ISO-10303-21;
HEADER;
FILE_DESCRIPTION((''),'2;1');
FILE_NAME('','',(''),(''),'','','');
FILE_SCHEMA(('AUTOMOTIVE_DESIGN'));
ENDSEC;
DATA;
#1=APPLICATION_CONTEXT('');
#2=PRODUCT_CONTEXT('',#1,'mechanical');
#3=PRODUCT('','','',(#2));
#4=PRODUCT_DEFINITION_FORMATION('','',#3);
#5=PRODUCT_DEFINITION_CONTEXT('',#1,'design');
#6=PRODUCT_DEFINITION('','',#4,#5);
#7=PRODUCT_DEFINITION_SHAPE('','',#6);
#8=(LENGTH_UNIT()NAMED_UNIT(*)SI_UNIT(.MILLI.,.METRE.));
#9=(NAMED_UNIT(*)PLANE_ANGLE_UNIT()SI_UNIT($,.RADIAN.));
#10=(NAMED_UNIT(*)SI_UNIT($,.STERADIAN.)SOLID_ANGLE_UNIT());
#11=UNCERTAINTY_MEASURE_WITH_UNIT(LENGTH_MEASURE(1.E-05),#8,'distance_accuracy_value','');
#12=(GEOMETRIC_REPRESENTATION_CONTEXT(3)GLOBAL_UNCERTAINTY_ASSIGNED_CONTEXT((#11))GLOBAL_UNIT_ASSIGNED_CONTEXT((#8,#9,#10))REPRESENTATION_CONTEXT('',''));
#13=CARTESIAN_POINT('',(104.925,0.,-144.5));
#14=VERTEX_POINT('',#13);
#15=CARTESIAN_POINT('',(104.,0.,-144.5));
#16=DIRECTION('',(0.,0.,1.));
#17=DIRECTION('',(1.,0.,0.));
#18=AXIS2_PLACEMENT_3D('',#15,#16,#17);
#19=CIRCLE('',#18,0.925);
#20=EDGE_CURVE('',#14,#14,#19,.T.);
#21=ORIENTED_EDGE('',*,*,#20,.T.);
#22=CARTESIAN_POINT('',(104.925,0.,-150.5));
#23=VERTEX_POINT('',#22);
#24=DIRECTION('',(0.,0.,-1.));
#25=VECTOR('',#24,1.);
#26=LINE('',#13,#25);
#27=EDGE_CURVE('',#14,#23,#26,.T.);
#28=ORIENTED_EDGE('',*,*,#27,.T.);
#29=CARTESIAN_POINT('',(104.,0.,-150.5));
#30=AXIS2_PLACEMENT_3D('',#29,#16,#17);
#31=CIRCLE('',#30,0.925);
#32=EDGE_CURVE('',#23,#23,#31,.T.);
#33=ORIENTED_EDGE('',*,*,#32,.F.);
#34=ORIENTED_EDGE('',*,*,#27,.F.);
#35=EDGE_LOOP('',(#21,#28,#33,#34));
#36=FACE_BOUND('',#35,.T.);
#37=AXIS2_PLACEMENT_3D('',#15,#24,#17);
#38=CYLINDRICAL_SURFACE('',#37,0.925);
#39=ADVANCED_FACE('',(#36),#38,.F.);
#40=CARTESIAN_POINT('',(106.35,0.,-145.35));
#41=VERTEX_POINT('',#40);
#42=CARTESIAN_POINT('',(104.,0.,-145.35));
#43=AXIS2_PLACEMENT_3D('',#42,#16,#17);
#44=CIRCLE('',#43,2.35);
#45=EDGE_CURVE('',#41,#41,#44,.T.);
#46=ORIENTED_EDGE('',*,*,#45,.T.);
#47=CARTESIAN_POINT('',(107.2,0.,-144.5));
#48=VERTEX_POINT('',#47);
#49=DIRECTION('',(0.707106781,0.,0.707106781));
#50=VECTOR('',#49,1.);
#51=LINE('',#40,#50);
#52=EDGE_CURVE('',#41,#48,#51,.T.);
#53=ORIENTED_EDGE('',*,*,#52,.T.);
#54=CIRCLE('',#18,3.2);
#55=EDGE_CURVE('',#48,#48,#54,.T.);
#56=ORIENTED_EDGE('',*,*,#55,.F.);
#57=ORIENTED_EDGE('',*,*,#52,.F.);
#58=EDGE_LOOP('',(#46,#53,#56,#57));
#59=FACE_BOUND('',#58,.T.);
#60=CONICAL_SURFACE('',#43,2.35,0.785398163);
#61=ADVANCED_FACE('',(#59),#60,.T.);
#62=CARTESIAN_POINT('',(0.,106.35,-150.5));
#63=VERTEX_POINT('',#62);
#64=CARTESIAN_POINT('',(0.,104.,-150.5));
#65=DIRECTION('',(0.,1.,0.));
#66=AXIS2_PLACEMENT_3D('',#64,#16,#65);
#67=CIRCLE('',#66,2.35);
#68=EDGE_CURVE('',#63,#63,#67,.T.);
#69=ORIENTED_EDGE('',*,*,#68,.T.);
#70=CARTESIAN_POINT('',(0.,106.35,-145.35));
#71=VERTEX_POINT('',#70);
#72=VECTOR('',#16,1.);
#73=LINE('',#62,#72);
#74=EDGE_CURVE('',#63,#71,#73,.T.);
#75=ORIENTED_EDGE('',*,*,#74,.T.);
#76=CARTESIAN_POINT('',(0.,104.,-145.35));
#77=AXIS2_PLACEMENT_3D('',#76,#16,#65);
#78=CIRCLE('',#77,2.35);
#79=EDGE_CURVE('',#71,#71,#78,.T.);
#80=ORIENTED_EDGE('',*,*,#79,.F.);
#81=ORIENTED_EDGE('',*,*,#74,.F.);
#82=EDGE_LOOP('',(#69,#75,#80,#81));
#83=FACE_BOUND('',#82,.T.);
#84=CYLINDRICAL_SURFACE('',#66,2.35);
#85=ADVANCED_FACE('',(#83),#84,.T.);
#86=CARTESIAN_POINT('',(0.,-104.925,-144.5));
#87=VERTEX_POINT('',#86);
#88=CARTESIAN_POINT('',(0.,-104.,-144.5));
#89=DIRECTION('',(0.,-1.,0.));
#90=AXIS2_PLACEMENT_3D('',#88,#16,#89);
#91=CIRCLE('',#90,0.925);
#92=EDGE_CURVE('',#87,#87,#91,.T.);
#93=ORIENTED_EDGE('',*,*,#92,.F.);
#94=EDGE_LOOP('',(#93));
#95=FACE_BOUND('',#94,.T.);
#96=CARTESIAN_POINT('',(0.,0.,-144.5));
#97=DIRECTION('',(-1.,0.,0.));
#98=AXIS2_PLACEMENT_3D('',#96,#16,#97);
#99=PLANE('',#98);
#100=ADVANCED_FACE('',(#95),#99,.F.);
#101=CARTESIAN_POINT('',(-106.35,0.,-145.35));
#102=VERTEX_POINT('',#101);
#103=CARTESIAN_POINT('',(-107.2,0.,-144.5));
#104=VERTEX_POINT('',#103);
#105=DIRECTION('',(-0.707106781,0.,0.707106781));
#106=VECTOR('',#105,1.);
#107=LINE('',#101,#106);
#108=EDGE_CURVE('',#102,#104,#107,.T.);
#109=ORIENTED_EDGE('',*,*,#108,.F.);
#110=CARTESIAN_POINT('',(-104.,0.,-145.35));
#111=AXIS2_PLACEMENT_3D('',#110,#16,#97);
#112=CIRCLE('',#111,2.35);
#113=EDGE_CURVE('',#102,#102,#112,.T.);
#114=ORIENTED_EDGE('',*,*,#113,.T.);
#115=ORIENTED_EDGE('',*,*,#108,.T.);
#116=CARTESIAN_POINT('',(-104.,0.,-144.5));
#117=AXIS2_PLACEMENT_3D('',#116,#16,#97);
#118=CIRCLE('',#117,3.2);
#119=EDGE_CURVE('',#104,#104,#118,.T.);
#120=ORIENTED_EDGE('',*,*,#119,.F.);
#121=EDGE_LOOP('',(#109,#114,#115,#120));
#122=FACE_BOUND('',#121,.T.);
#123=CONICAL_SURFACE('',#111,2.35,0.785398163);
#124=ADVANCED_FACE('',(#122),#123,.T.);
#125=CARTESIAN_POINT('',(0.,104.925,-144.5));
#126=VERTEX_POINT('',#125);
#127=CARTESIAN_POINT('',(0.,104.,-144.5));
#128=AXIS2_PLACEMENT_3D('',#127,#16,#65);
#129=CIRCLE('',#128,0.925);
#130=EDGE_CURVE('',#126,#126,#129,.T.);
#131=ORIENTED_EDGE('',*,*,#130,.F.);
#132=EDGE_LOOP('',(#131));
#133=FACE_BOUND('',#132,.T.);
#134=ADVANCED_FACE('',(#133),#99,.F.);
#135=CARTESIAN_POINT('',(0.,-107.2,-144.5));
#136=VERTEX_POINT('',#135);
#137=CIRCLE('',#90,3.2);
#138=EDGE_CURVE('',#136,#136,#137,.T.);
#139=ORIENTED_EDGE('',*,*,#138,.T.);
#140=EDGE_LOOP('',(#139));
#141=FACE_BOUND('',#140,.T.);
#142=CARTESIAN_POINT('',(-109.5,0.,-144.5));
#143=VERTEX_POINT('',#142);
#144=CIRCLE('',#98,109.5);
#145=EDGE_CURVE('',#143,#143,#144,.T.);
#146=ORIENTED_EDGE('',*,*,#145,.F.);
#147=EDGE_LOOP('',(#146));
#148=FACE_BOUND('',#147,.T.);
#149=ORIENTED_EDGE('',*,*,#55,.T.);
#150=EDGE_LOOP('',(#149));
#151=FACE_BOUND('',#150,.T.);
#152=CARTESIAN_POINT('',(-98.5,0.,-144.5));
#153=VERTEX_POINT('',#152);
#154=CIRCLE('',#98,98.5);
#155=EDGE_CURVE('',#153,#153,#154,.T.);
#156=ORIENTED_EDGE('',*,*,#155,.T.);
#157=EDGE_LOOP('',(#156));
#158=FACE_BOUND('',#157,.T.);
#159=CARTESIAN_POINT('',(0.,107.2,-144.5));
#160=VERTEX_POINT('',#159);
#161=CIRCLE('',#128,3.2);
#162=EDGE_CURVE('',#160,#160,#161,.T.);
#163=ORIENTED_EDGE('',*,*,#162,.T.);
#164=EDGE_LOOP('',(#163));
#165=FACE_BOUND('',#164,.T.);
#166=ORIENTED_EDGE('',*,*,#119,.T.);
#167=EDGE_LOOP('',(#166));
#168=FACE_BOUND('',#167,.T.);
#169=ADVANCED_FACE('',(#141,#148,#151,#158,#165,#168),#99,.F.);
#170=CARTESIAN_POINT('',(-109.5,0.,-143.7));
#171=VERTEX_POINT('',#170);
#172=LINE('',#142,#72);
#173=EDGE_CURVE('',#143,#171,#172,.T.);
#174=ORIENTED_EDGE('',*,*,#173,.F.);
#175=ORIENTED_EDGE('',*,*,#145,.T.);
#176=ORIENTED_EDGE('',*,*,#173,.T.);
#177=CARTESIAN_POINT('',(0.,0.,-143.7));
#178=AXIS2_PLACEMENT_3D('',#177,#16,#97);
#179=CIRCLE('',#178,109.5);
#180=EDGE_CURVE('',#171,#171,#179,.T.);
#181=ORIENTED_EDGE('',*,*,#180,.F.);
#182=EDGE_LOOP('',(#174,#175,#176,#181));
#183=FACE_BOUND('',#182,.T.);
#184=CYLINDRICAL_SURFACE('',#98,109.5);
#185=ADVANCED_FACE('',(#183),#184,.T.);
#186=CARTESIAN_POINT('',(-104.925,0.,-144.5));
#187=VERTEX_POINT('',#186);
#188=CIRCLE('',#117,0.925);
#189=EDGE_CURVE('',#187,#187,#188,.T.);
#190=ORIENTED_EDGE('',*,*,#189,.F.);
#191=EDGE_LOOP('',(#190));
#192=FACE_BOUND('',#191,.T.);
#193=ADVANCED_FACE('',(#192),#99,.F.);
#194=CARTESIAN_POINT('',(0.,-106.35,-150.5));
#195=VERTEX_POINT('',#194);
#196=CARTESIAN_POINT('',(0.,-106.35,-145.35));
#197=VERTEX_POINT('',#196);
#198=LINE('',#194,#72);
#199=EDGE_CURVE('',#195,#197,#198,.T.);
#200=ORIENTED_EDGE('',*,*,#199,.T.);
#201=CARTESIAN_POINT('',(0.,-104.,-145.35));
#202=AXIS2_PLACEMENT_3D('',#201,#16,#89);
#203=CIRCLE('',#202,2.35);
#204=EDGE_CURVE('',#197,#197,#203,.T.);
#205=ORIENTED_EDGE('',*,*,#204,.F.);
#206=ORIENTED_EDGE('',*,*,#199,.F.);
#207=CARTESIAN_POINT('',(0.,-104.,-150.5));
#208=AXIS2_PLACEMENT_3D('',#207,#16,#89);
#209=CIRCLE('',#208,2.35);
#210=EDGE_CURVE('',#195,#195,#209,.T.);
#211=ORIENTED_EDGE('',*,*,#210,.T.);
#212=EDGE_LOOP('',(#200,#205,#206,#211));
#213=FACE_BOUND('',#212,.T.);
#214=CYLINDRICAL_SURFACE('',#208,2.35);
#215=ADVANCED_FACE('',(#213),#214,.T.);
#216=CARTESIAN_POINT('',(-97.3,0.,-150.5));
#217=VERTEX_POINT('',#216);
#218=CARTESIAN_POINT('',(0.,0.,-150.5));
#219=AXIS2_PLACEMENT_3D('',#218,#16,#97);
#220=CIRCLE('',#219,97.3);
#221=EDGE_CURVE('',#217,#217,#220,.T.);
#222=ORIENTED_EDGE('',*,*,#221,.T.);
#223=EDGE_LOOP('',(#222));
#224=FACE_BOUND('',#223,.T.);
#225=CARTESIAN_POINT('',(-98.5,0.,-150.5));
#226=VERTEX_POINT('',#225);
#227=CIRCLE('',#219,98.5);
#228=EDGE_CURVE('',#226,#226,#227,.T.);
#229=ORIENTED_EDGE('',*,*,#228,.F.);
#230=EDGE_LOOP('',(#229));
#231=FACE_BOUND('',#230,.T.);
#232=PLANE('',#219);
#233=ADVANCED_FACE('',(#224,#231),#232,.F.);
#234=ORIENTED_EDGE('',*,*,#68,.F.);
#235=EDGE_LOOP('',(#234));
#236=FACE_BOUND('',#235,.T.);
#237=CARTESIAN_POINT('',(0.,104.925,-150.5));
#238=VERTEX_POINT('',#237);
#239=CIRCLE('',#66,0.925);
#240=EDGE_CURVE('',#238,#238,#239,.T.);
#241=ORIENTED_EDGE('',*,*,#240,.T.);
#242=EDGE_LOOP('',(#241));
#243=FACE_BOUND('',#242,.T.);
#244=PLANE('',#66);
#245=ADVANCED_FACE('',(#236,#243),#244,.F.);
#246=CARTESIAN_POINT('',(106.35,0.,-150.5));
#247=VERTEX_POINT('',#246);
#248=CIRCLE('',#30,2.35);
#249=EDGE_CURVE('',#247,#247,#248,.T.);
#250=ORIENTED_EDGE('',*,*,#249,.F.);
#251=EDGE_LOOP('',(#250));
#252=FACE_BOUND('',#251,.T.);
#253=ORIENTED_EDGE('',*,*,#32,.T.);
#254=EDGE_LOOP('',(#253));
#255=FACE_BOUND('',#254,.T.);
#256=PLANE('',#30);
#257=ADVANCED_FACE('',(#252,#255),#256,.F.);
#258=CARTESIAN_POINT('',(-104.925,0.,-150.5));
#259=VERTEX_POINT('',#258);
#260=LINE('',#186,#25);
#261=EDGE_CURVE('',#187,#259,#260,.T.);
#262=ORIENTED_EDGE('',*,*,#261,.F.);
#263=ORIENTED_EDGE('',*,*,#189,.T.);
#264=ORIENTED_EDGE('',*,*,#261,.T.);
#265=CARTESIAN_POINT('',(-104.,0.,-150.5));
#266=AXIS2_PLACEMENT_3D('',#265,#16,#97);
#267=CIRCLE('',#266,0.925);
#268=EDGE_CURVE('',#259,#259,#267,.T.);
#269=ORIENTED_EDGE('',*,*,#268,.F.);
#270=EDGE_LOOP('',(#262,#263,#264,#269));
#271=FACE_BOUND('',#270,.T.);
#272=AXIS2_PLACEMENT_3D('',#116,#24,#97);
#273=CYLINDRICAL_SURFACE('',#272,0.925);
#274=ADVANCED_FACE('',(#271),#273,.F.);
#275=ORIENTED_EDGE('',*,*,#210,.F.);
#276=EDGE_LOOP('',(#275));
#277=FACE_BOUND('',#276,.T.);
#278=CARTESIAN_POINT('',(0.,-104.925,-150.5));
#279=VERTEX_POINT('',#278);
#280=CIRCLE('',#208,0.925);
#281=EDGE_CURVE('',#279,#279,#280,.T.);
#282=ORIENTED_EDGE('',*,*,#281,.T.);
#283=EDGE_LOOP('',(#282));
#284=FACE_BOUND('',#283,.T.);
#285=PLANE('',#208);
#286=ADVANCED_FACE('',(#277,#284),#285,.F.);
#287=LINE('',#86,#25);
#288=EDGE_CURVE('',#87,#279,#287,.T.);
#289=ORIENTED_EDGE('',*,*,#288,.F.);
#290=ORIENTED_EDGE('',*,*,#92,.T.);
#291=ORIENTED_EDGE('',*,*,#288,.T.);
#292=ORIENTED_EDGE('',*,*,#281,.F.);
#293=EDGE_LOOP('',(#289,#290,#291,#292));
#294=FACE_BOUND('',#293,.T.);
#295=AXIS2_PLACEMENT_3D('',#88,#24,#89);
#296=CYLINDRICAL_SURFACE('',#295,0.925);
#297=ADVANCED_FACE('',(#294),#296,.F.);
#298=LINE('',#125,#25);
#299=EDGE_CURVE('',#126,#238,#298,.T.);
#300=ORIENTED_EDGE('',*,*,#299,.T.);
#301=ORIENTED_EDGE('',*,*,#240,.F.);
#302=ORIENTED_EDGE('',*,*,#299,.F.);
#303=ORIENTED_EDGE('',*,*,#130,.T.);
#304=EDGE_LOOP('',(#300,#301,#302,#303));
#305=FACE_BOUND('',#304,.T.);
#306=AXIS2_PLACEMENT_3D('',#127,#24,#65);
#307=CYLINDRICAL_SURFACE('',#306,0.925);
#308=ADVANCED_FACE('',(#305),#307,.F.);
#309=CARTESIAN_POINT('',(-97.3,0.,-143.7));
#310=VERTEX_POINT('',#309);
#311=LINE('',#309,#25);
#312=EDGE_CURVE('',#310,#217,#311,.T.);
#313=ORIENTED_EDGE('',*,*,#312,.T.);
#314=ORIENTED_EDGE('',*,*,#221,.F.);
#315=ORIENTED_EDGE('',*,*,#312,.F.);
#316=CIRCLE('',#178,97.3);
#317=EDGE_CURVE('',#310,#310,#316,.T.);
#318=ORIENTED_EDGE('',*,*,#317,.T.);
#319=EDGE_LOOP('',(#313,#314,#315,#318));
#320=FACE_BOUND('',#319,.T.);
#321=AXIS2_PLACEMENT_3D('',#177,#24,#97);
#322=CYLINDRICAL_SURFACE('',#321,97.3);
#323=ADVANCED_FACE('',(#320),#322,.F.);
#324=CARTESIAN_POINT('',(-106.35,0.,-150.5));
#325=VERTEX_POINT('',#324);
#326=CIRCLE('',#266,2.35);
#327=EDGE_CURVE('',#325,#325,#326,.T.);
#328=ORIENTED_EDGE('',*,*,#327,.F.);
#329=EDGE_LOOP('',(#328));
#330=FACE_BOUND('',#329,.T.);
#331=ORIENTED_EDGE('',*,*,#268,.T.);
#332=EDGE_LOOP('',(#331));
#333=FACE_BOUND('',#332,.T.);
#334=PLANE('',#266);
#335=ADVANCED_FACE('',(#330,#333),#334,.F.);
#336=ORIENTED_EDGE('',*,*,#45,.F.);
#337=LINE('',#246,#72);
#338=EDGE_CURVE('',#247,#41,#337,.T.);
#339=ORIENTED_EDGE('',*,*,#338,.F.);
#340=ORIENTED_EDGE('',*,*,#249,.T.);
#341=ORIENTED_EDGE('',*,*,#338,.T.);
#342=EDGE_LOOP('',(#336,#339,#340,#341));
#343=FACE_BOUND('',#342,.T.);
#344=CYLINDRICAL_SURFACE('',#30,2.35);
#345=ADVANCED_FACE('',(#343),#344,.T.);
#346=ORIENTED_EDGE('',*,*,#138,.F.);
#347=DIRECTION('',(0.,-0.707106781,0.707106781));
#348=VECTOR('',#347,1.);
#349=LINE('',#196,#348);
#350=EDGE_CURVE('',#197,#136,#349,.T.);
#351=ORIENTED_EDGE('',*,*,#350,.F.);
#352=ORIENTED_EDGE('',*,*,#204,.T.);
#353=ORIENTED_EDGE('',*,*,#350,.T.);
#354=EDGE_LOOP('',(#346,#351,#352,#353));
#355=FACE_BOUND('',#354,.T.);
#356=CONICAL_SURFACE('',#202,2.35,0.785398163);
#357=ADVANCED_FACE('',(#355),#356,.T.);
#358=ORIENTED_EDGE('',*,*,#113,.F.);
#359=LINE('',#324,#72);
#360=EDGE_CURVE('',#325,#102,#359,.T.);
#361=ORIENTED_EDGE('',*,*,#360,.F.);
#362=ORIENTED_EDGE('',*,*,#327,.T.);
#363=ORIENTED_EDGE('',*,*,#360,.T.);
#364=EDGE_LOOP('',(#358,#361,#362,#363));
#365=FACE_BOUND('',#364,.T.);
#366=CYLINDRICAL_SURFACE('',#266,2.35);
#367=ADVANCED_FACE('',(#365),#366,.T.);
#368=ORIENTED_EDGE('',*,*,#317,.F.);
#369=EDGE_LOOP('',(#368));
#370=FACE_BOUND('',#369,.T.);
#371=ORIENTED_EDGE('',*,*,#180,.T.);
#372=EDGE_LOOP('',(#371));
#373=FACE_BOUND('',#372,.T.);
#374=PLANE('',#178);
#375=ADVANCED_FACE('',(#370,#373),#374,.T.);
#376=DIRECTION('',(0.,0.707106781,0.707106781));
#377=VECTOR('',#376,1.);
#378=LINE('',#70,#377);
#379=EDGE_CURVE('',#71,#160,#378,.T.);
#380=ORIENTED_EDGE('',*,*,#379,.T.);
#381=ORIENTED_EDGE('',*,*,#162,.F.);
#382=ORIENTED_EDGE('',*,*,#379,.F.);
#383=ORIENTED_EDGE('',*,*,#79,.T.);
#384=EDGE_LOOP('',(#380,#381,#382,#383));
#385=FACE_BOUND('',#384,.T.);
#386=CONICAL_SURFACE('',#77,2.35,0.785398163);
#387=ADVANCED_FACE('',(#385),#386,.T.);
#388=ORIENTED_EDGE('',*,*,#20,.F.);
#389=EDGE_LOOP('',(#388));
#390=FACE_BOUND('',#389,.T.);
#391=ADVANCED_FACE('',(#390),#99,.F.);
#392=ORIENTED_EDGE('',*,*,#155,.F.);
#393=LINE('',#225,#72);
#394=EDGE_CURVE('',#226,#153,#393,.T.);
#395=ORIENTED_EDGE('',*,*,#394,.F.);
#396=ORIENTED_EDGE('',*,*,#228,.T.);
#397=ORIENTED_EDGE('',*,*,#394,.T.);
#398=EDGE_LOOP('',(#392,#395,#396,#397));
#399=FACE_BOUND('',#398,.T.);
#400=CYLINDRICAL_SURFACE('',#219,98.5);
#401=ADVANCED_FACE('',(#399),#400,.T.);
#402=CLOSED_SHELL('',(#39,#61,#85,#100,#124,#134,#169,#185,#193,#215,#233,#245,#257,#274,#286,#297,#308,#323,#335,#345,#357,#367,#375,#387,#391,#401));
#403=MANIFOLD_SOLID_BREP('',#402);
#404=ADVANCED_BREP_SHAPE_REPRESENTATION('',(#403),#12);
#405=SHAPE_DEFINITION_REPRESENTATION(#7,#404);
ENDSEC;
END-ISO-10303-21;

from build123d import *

# Parameters (mm, degrees)
POLARPATTERN_COUNT = 4


with BuildPart() as part:
    # Sketch371 → Revolution001 (revolve)
    with BuildSketch(Plane.XZ):
        Polygon((-109.5, 0.8), (-97.3, 0.8), (-97.3, -6), (-98.5, -6), (-98.5, 0), (-109.5, 0), align=None)
    revolve(axis=Axis((0, 0, 0), (0, 0, 1)))

    # Sketch372 (on DatumPlane) → Revolution002 (revolve)
    with BuildSketch(Plane(origin=(104, 0, 0), x_dir=(1, 0, 0), z_dir=(0, -1, 0))):
        Polygon((2.35, -6), (2.35, -0.85), (3.2, 0), (0.925, 0), (0.925, -6), align=None)
    revolution002 = revolve(axis=Axis((104, 0, 0), (0, 0, 1)))

    # PolarPattern: Revolution002 ×4 about axis
    polarpattern_axis = Axis((0, 0, 0), (0, 0, 1))
    for i in range(1, POLARPATTERN_COUNT):
        add(revolution002.rotate(polarpattern_axis, i * 360 / POLARPATTERN_COUNT))


with BuildPart() as part_1:
    # Body022078 placement: moved
    add(part.part.moved(Location((0, 0, -144.5))))


solid = part_1.part
